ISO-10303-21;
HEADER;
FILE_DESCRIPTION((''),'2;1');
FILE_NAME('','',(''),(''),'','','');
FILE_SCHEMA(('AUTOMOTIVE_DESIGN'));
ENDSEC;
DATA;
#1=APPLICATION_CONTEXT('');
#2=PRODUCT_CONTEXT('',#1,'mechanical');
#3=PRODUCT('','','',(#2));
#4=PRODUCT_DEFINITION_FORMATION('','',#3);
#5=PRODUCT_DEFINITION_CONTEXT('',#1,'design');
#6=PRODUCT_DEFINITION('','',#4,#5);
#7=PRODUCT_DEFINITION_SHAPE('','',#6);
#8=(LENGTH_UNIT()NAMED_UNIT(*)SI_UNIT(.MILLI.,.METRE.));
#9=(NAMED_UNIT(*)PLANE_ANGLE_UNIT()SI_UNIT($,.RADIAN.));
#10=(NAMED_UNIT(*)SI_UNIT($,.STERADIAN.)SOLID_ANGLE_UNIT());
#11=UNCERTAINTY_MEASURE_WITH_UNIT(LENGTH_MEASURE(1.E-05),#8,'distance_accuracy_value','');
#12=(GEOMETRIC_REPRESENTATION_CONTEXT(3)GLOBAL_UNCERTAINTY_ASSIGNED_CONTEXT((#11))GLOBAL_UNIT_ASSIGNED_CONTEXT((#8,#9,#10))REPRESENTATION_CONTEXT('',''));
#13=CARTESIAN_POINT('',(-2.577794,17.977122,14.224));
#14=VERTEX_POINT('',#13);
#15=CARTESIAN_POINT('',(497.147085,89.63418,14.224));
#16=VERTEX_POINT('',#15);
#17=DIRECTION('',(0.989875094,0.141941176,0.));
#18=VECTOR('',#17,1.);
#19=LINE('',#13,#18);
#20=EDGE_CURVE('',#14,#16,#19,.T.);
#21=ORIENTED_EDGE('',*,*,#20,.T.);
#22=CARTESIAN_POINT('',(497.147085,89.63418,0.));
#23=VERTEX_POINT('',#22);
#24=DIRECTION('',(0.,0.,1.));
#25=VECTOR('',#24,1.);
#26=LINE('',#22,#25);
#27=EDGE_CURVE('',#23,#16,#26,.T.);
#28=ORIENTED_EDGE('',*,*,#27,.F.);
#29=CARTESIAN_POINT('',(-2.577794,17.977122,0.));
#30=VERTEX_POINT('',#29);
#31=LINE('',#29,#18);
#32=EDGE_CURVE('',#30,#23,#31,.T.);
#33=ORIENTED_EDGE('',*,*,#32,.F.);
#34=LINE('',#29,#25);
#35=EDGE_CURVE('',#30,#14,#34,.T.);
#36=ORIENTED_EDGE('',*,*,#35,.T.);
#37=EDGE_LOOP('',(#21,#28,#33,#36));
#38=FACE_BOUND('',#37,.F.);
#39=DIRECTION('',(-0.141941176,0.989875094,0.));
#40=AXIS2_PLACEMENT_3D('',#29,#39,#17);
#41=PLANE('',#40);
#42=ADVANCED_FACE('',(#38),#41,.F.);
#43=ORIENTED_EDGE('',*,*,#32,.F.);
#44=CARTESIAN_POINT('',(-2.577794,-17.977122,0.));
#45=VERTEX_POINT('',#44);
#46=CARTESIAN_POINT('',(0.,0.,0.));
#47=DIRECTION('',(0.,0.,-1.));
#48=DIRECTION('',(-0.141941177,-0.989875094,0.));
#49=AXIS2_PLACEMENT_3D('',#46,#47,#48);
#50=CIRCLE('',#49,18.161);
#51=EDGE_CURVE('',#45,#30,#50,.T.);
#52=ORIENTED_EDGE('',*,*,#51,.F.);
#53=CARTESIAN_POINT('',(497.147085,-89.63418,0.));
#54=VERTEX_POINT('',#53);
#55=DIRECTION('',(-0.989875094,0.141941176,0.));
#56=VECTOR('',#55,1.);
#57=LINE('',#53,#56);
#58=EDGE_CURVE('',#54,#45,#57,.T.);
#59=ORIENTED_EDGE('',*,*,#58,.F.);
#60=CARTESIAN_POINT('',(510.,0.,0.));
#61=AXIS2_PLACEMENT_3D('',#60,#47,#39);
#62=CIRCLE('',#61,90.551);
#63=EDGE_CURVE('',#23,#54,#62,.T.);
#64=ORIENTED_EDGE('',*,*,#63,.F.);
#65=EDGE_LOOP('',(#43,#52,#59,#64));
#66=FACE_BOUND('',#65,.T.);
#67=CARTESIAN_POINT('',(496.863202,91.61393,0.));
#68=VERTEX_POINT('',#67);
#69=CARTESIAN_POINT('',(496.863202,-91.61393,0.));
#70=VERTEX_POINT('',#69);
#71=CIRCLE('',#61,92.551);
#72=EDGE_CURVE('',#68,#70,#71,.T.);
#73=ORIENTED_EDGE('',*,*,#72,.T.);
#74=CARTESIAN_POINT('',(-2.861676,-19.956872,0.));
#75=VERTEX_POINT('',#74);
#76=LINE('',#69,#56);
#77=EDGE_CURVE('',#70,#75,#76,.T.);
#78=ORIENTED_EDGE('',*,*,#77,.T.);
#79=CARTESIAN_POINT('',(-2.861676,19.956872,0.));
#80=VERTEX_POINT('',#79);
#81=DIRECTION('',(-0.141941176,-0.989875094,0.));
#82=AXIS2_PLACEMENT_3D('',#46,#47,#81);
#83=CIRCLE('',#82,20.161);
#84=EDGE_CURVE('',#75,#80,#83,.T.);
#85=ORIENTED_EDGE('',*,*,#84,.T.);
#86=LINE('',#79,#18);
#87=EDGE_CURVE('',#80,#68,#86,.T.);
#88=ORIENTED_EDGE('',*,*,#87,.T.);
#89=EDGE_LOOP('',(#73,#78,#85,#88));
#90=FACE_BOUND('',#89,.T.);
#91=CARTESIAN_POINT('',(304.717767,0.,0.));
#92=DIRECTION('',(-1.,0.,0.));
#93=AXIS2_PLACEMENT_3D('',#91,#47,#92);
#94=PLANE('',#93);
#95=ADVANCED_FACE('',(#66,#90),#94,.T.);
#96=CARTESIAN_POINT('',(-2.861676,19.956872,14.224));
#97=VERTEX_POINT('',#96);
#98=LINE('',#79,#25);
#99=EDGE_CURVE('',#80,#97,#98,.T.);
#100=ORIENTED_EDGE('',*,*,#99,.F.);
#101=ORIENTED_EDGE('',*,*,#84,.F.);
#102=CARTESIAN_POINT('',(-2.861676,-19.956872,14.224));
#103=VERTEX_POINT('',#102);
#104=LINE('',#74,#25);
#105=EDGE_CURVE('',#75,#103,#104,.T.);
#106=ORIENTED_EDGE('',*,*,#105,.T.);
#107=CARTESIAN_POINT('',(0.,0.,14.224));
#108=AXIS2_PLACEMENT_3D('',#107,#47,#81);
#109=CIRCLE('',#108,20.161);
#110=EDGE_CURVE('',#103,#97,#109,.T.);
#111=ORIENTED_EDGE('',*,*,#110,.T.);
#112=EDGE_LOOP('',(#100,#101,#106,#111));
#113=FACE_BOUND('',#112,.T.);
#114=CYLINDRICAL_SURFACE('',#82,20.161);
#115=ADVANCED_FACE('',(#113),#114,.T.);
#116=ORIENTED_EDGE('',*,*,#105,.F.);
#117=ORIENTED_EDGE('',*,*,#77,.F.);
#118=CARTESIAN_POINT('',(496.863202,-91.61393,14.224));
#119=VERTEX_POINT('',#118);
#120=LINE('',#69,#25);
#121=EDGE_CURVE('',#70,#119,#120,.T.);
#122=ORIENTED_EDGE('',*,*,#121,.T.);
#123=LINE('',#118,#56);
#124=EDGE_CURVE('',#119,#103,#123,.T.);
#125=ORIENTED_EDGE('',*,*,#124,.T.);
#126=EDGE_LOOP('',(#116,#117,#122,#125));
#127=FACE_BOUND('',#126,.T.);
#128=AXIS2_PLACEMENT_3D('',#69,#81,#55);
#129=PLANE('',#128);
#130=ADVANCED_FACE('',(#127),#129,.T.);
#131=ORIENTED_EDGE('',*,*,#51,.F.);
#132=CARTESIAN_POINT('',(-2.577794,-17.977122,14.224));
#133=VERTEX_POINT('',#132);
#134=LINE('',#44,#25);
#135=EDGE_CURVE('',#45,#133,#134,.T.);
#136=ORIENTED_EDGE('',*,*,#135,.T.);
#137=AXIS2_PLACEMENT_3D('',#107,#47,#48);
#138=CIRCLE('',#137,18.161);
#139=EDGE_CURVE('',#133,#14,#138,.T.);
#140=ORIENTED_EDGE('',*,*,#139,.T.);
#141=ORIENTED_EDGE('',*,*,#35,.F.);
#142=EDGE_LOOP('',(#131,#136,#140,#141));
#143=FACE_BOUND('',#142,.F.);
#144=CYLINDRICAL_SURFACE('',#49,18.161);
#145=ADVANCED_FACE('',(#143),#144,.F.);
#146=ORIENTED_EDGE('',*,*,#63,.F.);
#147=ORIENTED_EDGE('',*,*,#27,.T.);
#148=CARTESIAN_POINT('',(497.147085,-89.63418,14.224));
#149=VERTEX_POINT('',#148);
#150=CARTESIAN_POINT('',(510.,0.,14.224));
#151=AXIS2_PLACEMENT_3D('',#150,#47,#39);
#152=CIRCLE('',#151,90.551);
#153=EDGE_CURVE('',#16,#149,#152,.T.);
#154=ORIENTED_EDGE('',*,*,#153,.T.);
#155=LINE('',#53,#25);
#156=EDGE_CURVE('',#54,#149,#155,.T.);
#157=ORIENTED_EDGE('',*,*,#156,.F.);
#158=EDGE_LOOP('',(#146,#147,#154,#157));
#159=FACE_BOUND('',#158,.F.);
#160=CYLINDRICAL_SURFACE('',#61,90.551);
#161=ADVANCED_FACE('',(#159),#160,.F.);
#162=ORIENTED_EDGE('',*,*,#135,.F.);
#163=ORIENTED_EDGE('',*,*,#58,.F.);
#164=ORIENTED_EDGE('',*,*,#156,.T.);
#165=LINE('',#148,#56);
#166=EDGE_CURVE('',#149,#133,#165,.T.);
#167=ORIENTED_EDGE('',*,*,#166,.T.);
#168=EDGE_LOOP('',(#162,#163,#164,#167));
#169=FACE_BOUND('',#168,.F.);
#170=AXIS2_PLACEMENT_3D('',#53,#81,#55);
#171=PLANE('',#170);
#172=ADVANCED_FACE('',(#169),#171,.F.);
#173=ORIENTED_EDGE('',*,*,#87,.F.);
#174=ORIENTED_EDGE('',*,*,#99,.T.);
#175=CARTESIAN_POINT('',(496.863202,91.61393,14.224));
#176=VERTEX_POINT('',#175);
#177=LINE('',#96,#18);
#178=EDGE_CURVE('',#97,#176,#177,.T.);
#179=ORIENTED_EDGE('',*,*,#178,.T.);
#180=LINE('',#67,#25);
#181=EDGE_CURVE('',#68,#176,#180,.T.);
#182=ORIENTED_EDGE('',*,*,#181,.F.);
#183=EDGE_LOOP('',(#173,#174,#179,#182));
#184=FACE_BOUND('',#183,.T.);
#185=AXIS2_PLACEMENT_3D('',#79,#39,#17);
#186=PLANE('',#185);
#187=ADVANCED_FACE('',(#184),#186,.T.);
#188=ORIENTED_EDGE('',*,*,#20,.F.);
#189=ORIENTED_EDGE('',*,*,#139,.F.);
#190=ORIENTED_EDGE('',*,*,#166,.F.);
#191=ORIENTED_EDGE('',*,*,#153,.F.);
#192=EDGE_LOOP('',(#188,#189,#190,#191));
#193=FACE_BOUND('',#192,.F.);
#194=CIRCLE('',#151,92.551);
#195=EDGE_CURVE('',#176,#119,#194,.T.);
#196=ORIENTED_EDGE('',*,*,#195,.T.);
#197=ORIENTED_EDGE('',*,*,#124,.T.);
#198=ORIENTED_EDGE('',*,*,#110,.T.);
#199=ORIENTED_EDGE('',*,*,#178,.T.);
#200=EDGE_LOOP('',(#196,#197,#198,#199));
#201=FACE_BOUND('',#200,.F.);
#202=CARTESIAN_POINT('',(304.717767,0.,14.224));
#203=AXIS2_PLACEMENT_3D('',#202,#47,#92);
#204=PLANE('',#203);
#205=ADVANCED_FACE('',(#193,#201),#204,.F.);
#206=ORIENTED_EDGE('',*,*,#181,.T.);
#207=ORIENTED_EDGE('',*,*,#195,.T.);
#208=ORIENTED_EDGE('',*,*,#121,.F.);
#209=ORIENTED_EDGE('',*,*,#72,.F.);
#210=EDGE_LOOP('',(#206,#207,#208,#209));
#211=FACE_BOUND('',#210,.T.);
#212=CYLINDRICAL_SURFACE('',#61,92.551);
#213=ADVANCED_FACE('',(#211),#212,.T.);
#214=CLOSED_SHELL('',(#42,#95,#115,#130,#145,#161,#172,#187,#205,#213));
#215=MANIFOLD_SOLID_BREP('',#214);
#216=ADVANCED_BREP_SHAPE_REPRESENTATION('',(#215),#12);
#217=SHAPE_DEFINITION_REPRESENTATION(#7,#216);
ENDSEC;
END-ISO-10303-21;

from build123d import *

# Parameters (mm, degrees)
EXTRUDE_THIN1_DEPTH = 14.224


with BuildPart() as part:
    # Sketch2 → Extrude-Thin1 (new body)
    with BuildSketch(Plane.XY):
        with BuildLine():
            Line((496.863202176, -91.613929858), (-2.861676059, -19.956871777))
            ThreePointArc((-2.861676059, -19.956871777), (-20.161, 0), (-2.861676059, 19.956871777))
            Line((-2.861676059, 19.956871777), (496.863202176, 91.613929858))
            ThreePointArc((496.863202176, 91.613929858), (602.551, 0), (496.863202176, -91.613929858))
        make_face()
        with BuildLine():
            Line((497.147084529, -89.634179669), (-2.577793706, -17.977121589))
            ThreePointArc((-2.577793706, -17.977121589), (-18.161, 0), (-2.577793706, 17.977121589))
            Line((-2.577793706, 17.977121589), (497.147084529, 89.634179669))
            ThreePointArc((497.147084529, 89.634179669), (600.551, 0), (497.147084529, -89.634179669))
        make_face(mode=Mode.SUBTRACT)
    extrude(amount=EXTRUDE_THIN1_DEPTH)


solid = part.part
